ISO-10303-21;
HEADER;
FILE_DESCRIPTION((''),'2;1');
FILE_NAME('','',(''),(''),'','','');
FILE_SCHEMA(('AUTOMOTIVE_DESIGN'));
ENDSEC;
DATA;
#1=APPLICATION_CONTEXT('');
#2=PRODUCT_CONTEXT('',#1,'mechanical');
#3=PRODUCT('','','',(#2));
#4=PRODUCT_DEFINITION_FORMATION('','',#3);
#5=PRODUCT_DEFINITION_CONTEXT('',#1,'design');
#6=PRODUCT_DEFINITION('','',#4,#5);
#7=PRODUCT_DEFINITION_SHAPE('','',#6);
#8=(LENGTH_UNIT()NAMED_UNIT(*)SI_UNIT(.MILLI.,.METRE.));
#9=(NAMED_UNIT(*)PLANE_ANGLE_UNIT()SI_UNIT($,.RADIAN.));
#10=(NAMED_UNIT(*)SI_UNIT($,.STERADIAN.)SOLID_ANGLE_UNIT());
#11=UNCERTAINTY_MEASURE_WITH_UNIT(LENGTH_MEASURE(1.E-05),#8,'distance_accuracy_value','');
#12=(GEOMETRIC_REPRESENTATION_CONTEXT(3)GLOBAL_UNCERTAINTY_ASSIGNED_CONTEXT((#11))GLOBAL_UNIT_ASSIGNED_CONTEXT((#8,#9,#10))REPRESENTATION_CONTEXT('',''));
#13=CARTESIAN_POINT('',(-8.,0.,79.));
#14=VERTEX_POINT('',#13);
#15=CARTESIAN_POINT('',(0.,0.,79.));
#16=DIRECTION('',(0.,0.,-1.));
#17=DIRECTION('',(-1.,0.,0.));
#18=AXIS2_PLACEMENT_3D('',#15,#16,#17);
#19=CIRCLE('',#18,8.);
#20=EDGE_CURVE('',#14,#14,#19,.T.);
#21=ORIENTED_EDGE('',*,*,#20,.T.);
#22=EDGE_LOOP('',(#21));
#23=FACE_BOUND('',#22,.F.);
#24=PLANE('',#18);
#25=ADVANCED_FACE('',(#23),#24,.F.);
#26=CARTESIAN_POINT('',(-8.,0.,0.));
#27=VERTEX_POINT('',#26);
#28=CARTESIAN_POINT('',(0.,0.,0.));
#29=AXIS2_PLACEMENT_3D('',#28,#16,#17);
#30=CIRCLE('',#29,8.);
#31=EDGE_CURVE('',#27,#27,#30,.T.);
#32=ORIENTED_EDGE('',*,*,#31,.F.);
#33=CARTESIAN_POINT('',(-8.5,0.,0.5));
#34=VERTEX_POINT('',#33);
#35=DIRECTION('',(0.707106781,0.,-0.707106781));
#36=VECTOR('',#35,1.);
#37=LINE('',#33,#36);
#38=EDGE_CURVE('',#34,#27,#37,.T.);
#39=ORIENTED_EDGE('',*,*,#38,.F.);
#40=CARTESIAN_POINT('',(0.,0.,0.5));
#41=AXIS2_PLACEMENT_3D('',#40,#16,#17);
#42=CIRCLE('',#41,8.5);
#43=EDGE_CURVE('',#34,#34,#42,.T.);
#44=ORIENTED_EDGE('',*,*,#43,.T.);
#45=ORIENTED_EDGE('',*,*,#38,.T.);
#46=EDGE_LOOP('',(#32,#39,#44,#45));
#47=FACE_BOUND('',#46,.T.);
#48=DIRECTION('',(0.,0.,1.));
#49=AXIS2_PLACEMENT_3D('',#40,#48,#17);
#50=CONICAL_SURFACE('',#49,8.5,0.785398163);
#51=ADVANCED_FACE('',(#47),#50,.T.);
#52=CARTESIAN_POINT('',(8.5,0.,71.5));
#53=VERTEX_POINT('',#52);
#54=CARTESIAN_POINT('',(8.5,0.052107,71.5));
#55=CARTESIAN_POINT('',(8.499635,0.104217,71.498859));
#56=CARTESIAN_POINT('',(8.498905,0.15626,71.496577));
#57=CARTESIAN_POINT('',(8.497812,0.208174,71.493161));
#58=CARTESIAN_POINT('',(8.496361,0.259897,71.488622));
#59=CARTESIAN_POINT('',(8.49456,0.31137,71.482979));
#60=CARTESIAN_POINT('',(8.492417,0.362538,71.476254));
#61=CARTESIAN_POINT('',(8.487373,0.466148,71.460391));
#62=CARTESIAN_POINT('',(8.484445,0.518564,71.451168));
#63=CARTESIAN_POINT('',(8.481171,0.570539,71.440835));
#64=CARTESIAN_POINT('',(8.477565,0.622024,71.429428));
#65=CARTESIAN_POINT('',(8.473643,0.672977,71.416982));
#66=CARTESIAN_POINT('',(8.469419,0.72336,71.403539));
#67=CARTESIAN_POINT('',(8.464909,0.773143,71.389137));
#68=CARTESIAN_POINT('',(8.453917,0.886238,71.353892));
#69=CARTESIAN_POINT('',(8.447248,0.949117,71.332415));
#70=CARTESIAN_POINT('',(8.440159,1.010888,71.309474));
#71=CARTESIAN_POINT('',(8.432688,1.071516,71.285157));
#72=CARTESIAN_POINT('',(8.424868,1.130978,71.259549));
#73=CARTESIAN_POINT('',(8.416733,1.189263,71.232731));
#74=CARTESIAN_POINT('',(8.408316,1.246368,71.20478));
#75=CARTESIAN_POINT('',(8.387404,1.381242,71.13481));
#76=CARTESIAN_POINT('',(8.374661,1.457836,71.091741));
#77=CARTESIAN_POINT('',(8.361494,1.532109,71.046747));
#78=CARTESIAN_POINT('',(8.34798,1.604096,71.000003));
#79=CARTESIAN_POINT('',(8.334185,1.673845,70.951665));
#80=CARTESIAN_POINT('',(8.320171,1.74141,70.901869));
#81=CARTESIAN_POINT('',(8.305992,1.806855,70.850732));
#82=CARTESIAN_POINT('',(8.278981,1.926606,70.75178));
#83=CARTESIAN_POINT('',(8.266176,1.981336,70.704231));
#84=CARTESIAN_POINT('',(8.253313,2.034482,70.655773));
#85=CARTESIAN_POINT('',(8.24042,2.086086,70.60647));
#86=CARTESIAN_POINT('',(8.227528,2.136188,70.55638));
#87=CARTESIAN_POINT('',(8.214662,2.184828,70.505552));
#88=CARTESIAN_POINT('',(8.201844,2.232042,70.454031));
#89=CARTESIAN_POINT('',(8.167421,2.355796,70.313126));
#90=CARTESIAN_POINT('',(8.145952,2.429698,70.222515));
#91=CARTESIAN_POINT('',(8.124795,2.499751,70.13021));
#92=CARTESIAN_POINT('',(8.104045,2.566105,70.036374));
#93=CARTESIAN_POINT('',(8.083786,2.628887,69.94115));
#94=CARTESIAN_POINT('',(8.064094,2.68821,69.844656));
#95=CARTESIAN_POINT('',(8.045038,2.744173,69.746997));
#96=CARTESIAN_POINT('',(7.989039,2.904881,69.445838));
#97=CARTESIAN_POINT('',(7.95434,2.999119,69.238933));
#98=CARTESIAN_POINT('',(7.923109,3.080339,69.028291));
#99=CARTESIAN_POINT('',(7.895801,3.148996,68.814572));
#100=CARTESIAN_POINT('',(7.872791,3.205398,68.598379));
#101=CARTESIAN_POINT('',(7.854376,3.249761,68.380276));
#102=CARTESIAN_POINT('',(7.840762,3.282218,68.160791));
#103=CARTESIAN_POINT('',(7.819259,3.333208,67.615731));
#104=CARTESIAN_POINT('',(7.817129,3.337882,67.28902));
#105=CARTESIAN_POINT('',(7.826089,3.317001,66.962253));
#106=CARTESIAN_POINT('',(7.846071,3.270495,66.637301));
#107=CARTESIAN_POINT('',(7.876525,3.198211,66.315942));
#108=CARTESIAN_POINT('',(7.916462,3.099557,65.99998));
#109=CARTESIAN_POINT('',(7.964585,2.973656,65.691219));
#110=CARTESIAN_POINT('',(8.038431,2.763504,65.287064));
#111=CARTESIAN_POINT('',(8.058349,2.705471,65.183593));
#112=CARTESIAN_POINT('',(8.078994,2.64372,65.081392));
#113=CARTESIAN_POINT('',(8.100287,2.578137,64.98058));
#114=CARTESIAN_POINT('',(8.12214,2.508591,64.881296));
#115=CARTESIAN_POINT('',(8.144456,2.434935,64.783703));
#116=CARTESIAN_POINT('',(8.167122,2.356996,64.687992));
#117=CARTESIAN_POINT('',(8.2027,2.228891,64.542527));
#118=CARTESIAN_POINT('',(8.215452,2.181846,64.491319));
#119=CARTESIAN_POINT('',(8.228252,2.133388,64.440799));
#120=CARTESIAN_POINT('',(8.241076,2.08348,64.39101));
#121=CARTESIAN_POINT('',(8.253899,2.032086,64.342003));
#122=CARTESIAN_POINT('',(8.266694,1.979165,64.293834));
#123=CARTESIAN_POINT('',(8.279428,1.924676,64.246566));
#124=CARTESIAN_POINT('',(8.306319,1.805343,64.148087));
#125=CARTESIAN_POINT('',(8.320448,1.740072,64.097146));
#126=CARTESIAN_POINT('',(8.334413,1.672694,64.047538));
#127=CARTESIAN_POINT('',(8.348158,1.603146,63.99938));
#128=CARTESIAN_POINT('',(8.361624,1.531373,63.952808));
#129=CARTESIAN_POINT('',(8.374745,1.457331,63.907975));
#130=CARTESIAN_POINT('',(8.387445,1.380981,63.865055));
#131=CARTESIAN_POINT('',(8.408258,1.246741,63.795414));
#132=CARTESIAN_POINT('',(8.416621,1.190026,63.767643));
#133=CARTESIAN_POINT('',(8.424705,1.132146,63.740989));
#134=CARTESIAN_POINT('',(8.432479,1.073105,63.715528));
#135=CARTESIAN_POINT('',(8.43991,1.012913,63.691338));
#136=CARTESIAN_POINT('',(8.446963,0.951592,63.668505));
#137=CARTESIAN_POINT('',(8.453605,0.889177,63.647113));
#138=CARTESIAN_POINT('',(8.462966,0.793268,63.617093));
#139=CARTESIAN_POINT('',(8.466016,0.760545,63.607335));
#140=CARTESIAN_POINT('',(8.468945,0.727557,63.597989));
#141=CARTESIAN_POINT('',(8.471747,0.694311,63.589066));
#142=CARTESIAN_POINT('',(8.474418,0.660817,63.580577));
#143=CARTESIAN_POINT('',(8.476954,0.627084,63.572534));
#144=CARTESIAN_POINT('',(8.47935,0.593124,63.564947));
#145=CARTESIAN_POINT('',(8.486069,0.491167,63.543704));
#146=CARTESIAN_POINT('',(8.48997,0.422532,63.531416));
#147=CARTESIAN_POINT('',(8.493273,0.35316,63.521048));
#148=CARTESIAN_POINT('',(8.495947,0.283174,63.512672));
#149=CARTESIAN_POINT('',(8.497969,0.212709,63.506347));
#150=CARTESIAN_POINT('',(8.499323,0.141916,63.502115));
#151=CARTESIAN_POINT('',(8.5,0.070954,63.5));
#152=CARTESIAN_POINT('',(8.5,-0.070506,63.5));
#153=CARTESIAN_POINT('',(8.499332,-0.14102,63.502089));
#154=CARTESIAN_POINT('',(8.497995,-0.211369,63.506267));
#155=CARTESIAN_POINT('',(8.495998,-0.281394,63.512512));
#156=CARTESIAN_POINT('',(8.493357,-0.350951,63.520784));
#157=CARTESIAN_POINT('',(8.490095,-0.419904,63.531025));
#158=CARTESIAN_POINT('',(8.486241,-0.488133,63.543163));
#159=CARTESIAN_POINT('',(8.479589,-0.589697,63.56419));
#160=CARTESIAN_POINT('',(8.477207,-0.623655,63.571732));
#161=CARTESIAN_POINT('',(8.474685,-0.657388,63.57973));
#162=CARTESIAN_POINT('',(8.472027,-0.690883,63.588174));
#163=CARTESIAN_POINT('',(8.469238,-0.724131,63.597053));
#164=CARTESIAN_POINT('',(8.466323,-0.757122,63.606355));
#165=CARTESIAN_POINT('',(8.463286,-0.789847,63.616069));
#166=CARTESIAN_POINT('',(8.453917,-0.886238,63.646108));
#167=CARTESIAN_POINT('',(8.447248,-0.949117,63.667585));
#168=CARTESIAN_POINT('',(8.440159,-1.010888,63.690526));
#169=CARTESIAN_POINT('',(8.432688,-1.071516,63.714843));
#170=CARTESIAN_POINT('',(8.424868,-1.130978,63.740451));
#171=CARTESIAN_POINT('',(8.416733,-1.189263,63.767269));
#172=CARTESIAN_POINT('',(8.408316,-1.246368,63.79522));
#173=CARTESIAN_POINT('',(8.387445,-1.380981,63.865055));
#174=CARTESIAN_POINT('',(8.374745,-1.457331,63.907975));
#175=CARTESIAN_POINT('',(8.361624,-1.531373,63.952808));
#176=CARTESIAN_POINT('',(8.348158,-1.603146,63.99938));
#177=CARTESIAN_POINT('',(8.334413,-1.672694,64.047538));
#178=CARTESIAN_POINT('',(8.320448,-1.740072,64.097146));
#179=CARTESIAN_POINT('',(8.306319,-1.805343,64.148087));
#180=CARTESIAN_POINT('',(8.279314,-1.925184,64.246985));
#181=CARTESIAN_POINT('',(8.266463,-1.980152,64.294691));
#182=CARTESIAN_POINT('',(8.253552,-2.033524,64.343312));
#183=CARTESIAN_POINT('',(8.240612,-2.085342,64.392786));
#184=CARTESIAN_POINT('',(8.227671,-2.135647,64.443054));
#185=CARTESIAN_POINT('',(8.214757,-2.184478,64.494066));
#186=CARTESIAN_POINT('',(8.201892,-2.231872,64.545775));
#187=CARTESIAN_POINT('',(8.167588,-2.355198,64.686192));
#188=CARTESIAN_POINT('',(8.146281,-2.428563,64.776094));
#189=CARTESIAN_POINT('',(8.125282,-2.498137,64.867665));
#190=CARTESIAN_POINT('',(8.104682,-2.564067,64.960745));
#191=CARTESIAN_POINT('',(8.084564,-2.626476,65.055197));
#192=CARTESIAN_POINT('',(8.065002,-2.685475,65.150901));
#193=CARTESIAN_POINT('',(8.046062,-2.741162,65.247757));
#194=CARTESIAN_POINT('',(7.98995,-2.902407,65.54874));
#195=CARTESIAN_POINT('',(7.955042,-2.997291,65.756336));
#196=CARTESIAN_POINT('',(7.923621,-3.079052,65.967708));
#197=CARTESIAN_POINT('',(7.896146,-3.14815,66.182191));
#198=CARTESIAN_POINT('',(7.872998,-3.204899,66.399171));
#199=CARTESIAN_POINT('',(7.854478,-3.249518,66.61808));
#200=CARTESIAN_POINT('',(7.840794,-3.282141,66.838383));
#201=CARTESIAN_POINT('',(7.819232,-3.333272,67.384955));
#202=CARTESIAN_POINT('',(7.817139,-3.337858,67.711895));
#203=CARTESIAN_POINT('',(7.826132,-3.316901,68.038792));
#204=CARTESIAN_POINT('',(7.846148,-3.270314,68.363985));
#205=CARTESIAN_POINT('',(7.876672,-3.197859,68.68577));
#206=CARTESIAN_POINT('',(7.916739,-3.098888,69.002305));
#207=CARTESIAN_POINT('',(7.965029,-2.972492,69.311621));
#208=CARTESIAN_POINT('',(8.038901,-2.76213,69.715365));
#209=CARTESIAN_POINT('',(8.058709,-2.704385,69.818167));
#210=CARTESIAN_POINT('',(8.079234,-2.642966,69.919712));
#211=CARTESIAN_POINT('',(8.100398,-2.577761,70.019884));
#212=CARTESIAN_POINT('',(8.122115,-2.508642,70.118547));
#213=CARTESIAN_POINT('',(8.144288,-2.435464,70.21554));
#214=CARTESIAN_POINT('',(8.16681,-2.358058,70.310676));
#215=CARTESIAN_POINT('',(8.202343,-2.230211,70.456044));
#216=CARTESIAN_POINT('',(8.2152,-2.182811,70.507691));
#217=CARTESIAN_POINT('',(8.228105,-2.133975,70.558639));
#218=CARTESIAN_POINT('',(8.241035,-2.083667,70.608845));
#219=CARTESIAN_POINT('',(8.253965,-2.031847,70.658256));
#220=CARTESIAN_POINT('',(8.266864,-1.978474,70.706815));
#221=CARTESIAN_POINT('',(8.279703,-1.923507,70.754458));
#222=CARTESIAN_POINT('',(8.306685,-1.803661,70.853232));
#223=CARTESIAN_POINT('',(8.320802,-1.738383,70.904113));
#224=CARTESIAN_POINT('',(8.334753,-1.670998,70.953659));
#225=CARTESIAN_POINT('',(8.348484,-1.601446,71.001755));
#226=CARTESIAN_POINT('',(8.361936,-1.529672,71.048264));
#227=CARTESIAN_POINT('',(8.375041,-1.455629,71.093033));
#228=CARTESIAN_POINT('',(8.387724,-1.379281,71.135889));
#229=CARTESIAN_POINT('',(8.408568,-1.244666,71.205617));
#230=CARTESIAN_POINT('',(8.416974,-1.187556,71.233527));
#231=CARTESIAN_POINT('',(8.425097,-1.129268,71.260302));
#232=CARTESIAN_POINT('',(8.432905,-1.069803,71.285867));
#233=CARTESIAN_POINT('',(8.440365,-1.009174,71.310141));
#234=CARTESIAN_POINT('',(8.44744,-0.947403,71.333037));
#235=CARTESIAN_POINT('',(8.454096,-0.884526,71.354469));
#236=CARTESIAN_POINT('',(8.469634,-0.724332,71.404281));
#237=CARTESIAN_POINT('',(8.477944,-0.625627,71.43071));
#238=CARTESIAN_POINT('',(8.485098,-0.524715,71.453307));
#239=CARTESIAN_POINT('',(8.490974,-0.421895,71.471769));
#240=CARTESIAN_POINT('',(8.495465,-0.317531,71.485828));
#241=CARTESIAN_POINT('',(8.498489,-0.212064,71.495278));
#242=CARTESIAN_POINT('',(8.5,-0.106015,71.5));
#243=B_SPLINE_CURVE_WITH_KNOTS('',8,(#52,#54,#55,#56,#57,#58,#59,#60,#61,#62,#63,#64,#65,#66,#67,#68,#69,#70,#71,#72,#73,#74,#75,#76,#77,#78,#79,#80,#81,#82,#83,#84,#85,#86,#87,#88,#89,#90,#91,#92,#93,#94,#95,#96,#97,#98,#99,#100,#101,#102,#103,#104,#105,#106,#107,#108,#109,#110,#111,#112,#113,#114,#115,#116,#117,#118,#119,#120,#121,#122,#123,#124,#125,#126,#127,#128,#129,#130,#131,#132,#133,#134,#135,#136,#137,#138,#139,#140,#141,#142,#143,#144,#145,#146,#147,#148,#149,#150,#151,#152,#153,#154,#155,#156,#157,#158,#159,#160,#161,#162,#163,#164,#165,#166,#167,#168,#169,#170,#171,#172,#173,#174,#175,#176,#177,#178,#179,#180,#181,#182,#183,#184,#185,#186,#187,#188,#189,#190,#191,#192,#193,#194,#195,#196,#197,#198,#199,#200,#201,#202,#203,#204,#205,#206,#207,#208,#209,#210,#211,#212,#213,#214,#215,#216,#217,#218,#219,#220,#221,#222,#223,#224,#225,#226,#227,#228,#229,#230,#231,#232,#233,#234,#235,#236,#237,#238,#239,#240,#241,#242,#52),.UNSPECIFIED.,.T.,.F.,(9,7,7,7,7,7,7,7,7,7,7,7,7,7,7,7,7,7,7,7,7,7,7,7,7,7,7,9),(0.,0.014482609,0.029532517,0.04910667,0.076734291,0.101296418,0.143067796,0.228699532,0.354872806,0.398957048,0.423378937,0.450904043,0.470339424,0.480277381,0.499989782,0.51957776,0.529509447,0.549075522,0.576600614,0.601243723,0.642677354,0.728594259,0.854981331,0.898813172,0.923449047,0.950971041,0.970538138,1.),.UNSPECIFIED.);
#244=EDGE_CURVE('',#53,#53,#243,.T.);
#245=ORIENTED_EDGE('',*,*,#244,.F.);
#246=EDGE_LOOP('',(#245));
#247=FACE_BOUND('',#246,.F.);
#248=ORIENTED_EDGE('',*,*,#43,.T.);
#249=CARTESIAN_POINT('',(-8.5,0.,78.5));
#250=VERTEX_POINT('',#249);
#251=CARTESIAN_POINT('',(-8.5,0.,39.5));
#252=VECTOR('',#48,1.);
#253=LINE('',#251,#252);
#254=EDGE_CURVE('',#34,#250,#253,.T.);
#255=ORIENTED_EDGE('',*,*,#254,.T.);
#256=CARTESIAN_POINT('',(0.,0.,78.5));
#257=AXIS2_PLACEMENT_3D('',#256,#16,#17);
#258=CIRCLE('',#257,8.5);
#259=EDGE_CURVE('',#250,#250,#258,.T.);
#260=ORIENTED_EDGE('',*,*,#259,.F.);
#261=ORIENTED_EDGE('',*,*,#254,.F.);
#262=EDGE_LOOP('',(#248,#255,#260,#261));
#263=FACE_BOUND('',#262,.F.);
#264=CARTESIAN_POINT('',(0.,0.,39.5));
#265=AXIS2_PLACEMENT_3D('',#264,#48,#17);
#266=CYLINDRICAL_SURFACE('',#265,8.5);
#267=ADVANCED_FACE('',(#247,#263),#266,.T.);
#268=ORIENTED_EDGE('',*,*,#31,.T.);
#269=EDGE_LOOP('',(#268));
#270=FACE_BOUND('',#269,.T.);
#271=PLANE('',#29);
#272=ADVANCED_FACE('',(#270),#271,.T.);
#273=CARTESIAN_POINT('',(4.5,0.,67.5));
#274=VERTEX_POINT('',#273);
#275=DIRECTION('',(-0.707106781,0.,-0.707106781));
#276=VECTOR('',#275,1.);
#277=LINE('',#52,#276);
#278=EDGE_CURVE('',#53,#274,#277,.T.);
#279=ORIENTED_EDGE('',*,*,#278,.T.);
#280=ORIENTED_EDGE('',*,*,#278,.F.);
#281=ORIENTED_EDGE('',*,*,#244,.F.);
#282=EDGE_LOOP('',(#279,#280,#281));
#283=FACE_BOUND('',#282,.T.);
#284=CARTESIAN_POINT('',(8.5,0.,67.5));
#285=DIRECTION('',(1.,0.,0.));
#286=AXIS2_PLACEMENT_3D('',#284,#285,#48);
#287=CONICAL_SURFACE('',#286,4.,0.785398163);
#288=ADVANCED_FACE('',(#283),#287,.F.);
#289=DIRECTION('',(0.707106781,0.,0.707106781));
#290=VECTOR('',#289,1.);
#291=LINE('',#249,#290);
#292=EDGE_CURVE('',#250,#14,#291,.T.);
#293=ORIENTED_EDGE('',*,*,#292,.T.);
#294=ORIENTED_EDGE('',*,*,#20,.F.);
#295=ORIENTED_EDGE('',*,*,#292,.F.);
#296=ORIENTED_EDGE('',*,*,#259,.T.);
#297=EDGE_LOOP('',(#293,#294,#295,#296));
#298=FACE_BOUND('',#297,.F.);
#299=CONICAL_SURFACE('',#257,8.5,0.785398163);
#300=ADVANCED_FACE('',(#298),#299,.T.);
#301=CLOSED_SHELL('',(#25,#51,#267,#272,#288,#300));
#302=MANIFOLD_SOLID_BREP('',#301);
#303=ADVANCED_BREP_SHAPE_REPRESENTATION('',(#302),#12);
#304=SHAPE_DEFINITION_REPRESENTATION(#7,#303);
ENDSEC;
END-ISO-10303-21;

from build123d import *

# Parameters (mm, degrees)
F0_W    = 8.5
F0_H    = 79
F4_SIZE = 0.5


with BuildPart() as f1:
    # F0 (on Front) → F1 (revolve)
    with BuildSketch(Plane.XZ):
        with Locations((-4.25, 39.5)):
            Rectangle(F0_W, F0_H)
    revolve(axis=Axis((0, 0, 39.5), (0, 0, -1)))

    # F2 (on Front) → F3 (revolve, cut)
    with BuildSketch(Plane.XZ):
        Polygon((4.5, 67.5), (8.5, 67.5), (8.5, 71.5), align=None)
    revolve(axis=Axis((-1.373549, 0, 67.5), (1, 0, 0)), mode=Mode.SUBTRACT)

    # F4
    f4_edges = [f1.edges().sort_by_distance(p)[0] for p in [
        (8.5, 0, 79),
        (8.5, 0, 0),
    ]]
    chamfer(f4_edges, length=F4_SIZE)


solid = f1.part
